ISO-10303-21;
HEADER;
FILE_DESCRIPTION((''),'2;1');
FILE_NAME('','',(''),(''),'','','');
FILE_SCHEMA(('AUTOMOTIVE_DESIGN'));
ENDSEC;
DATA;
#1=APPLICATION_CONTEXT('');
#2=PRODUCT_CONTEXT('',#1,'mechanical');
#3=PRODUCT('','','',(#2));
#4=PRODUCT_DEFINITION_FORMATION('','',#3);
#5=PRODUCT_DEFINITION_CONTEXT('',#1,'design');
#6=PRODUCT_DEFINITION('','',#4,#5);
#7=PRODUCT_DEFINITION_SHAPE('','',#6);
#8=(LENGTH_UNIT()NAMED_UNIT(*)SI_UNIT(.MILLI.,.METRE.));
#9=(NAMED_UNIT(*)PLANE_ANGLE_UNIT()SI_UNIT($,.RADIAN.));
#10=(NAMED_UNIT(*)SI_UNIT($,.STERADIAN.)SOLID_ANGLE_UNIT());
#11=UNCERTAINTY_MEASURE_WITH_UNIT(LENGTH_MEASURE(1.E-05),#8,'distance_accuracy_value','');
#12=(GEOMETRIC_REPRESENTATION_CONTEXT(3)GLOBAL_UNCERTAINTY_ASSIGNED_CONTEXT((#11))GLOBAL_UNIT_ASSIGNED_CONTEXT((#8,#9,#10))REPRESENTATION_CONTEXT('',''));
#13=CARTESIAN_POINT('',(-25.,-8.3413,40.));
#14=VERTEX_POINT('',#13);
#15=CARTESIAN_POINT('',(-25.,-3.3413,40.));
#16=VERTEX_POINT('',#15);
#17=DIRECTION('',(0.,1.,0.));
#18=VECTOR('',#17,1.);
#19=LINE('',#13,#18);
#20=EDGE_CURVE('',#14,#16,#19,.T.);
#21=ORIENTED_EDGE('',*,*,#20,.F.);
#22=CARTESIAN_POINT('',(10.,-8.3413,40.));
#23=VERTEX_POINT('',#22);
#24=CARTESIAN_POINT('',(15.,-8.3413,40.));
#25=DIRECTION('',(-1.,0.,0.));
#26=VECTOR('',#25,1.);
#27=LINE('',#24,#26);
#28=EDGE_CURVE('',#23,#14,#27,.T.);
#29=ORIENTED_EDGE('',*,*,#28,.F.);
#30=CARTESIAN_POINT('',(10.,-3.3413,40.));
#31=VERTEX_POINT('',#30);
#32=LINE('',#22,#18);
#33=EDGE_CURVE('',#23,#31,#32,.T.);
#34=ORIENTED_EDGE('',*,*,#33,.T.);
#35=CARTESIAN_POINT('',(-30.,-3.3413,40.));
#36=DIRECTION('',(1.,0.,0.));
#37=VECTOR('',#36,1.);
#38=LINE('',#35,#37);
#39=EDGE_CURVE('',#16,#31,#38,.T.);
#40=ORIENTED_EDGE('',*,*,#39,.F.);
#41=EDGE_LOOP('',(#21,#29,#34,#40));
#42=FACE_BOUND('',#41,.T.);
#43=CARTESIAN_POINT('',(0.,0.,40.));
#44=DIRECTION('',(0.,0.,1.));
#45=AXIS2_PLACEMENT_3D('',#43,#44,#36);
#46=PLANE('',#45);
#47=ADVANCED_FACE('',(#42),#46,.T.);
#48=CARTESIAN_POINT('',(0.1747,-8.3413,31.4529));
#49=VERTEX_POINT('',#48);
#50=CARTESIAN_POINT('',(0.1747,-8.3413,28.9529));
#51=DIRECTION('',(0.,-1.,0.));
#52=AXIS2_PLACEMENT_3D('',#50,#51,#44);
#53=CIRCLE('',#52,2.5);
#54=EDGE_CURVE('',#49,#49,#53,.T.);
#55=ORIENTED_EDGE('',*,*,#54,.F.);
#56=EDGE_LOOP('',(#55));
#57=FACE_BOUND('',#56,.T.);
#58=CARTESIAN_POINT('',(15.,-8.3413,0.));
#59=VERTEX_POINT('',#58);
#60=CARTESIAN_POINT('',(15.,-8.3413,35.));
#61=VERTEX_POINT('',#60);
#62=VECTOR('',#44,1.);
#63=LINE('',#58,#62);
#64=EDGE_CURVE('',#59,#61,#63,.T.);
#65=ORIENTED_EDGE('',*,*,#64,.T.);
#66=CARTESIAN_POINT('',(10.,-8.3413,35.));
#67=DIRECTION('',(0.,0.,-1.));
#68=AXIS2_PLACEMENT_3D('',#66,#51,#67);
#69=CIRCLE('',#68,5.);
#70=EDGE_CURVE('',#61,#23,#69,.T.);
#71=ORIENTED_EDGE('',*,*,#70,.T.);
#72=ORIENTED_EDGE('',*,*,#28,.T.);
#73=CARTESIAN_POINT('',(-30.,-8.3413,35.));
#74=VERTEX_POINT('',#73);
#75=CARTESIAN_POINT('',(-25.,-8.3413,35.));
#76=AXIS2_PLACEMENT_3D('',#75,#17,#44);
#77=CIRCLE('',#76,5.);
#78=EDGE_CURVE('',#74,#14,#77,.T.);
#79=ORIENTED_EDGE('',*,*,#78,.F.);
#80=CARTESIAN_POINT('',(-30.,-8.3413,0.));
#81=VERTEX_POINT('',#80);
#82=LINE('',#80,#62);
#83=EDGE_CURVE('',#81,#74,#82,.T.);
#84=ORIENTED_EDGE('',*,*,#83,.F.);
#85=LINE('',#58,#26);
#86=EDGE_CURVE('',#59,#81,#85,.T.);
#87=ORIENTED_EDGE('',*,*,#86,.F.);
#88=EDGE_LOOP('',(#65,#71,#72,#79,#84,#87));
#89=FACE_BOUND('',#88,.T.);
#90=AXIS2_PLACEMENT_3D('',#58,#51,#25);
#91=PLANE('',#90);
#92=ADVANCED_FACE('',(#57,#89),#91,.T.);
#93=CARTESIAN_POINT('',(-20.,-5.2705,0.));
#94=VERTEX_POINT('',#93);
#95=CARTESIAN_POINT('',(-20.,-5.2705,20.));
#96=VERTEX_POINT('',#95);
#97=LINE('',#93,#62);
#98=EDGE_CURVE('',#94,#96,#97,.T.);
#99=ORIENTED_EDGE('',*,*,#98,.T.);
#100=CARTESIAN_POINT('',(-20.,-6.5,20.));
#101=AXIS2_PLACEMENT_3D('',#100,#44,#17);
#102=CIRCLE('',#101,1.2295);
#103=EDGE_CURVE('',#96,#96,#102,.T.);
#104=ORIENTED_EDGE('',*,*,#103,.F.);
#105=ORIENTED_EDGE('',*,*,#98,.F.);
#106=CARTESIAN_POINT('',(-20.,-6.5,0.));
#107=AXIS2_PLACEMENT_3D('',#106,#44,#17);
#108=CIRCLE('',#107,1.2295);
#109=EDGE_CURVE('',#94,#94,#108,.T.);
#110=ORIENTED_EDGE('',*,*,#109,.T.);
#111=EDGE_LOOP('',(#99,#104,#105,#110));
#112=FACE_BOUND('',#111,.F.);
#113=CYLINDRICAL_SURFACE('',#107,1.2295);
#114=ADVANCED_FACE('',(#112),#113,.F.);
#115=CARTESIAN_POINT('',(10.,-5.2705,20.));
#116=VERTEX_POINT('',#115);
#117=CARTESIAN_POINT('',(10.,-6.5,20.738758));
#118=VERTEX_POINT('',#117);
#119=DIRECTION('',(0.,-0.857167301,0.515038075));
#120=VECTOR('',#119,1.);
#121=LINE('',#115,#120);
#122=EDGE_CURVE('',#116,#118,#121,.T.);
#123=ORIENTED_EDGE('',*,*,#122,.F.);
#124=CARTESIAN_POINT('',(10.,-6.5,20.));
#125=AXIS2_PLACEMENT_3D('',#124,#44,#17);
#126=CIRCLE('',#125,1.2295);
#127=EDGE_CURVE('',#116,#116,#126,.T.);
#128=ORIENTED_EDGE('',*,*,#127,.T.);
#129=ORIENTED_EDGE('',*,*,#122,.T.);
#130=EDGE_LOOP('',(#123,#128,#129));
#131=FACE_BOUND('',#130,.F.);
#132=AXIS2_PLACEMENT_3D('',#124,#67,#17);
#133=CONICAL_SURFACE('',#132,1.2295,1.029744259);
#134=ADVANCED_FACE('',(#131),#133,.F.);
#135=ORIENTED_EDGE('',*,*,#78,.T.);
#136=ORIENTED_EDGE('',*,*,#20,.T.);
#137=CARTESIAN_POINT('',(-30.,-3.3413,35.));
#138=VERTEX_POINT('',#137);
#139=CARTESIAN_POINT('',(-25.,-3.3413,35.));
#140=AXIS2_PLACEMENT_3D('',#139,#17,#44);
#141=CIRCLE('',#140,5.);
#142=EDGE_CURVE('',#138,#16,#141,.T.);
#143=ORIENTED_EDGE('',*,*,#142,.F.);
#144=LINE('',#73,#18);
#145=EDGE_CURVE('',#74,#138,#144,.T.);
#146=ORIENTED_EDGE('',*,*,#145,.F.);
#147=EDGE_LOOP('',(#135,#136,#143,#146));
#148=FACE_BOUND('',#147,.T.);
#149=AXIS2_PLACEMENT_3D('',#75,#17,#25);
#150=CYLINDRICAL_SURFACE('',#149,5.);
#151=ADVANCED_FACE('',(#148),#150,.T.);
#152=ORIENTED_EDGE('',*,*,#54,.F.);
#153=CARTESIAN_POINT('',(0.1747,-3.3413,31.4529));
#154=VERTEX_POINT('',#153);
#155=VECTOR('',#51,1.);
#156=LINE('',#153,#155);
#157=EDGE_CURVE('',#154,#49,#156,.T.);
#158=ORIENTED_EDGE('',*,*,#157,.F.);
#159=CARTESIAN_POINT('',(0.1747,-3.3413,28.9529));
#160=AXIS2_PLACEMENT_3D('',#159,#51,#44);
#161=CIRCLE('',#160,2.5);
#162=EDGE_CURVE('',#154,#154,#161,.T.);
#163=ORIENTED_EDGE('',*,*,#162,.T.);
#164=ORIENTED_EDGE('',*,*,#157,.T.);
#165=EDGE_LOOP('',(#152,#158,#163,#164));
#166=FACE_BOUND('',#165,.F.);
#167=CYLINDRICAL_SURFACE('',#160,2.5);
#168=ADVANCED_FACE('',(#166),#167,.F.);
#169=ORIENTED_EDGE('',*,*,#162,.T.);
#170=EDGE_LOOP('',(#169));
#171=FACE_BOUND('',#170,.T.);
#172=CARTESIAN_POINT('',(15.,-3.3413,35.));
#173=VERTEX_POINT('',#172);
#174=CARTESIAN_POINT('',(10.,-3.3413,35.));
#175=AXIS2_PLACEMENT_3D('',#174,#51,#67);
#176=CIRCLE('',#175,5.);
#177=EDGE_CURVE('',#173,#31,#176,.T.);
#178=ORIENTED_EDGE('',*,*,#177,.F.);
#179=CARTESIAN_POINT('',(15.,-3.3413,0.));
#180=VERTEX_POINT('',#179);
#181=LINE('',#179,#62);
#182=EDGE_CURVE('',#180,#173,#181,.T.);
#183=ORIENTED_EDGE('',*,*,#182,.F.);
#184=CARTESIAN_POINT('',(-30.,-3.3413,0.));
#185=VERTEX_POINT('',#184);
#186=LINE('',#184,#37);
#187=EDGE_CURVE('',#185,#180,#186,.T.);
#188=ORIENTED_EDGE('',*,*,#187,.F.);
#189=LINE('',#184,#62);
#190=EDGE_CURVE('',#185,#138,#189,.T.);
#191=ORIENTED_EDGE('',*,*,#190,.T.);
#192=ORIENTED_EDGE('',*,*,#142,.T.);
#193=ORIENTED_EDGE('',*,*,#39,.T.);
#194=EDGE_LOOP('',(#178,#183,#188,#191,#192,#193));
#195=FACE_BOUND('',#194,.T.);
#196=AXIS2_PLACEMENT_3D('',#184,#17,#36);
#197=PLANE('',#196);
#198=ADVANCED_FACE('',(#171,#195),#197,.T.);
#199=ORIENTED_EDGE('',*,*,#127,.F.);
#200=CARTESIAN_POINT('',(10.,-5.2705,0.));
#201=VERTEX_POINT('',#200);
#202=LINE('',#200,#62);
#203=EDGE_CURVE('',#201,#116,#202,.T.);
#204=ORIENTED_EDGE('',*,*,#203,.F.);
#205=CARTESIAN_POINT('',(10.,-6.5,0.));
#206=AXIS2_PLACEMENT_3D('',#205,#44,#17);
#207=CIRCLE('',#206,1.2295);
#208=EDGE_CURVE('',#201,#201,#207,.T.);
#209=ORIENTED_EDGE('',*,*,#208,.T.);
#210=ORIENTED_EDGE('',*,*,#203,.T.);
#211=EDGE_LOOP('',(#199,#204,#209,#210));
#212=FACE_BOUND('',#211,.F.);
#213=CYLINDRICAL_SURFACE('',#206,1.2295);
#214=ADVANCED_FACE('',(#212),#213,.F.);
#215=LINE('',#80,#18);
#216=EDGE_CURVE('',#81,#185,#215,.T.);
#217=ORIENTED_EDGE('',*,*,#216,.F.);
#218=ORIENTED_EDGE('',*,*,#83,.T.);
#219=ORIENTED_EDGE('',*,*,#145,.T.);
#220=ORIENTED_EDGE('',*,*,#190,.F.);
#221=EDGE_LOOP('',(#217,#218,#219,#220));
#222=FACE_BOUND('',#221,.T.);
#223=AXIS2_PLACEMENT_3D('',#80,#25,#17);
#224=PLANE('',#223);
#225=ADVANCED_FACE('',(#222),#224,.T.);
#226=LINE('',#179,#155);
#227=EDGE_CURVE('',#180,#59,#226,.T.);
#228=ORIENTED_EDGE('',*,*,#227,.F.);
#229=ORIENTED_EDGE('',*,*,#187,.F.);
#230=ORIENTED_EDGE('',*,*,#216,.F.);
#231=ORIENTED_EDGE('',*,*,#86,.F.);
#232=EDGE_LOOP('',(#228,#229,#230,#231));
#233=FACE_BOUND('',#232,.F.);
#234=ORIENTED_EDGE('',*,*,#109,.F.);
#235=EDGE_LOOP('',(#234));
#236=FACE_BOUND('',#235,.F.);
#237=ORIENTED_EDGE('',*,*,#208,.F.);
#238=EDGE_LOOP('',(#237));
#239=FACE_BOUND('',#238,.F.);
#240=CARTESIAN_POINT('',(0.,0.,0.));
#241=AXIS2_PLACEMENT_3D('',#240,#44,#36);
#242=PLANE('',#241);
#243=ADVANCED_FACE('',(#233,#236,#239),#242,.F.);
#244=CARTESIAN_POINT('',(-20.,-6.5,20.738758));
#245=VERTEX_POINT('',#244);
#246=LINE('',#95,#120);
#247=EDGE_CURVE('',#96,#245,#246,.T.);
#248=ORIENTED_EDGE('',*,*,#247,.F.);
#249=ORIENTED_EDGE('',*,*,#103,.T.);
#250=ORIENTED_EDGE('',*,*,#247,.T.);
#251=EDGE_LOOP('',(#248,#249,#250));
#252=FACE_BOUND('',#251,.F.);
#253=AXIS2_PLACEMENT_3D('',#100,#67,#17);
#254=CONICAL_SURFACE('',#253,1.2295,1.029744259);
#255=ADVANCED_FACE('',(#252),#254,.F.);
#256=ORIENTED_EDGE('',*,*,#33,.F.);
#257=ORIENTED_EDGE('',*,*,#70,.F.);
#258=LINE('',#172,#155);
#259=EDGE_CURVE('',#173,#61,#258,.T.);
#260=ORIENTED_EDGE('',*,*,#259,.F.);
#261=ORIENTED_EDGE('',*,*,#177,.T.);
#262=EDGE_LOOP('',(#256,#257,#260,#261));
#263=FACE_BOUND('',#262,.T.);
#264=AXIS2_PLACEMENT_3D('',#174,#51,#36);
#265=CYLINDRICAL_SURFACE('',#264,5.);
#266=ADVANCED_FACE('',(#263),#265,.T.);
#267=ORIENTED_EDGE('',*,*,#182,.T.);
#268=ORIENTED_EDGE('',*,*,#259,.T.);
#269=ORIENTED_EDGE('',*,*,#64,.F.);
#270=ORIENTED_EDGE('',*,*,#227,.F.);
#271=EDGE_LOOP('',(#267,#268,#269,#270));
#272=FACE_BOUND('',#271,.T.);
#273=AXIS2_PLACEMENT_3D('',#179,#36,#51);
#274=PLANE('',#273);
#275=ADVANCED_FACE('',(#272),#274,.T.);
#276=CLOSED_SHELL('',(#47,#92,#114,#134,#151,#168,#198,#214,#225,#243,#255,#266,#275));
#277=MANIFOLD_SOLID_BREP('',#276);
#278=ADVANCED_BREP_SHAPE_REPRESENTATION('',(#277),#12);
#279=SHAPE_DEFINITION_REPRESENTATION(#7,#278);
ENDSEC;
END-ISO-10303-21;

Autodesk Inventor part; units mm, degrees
ref_plane "YZ Plane" through (0, 0, 0) normal (1, 0, 0) x (0, 1, 0)
ref_plane "XZ Plane" through (0, 0, 0) normal (0, 1, 0) x (-1, 0, 0)
ref_plane "XY Plane" through (0, 0, 0) normal (0, 0, 1) x (1, 0, 0)
sketch "Sketch1" plane through (0, 0, 0) normal (0, 0, 1) x (1, 0, 0)
  line L0 (-30, -3.3413) -> (15, -3.3413)
  line L1 (15, -3.3413) -> (15, -8.3413)
  line L2 (15, -8.3413) -> (-30, -8.3413)
  line L3 (-30, -8.3413) -> (-30, -3.3413)
  line L4 (-30, -65) -> (-30, 65) projected
  line L5 (15, -7) -> (15, 7) projected
  line L6 (-24.8253, -20.3413) -> (25.1747, -20.3413) projected
  point P0 (0, 0)
  dimension "d0" = 5
  dimension "d1" = 12
extrude "Extrusion1" add sketch "Sketch1" along normal blind 40
fillet "Fillet1" radius 5 2 edges at (-30, -5.8413, 40) (15, -5.8413, 40)
sketch "Sketch2" plane through (-30, -3.3413, 0) normal (0, 1, 0) x (1, 0, 0)
  circle A0 centre (30.1747, -28.9529) radius 2.5 projected
  point P0 (30, 0)
hole "Hole1" at (0.1747, -3.3413, 28.9529) direction (0, -1, 0) diameter 5 depth 8 tip angle 118
sketch "Sketch3" plane through (0, 0, 0) normal (0, 0, -1) x (-1, 0, 0)
  circle A0 centre (-10, -6.5) radius 1.5 projected
  circle A1 centre (20, -6.5) radius 1.5 projected
  point P0 (0, 0)
hole "Hole2" at (10, -6.5, 0) at (-20, -6.5, 0) direction (0, 0, 1) diameter 2.459 depth 20 tip angle 118 thread size "M3x0.5" class "6H" standard "ISO Metric profile"
properties part number "Y-Umlenkrollenhalter"
